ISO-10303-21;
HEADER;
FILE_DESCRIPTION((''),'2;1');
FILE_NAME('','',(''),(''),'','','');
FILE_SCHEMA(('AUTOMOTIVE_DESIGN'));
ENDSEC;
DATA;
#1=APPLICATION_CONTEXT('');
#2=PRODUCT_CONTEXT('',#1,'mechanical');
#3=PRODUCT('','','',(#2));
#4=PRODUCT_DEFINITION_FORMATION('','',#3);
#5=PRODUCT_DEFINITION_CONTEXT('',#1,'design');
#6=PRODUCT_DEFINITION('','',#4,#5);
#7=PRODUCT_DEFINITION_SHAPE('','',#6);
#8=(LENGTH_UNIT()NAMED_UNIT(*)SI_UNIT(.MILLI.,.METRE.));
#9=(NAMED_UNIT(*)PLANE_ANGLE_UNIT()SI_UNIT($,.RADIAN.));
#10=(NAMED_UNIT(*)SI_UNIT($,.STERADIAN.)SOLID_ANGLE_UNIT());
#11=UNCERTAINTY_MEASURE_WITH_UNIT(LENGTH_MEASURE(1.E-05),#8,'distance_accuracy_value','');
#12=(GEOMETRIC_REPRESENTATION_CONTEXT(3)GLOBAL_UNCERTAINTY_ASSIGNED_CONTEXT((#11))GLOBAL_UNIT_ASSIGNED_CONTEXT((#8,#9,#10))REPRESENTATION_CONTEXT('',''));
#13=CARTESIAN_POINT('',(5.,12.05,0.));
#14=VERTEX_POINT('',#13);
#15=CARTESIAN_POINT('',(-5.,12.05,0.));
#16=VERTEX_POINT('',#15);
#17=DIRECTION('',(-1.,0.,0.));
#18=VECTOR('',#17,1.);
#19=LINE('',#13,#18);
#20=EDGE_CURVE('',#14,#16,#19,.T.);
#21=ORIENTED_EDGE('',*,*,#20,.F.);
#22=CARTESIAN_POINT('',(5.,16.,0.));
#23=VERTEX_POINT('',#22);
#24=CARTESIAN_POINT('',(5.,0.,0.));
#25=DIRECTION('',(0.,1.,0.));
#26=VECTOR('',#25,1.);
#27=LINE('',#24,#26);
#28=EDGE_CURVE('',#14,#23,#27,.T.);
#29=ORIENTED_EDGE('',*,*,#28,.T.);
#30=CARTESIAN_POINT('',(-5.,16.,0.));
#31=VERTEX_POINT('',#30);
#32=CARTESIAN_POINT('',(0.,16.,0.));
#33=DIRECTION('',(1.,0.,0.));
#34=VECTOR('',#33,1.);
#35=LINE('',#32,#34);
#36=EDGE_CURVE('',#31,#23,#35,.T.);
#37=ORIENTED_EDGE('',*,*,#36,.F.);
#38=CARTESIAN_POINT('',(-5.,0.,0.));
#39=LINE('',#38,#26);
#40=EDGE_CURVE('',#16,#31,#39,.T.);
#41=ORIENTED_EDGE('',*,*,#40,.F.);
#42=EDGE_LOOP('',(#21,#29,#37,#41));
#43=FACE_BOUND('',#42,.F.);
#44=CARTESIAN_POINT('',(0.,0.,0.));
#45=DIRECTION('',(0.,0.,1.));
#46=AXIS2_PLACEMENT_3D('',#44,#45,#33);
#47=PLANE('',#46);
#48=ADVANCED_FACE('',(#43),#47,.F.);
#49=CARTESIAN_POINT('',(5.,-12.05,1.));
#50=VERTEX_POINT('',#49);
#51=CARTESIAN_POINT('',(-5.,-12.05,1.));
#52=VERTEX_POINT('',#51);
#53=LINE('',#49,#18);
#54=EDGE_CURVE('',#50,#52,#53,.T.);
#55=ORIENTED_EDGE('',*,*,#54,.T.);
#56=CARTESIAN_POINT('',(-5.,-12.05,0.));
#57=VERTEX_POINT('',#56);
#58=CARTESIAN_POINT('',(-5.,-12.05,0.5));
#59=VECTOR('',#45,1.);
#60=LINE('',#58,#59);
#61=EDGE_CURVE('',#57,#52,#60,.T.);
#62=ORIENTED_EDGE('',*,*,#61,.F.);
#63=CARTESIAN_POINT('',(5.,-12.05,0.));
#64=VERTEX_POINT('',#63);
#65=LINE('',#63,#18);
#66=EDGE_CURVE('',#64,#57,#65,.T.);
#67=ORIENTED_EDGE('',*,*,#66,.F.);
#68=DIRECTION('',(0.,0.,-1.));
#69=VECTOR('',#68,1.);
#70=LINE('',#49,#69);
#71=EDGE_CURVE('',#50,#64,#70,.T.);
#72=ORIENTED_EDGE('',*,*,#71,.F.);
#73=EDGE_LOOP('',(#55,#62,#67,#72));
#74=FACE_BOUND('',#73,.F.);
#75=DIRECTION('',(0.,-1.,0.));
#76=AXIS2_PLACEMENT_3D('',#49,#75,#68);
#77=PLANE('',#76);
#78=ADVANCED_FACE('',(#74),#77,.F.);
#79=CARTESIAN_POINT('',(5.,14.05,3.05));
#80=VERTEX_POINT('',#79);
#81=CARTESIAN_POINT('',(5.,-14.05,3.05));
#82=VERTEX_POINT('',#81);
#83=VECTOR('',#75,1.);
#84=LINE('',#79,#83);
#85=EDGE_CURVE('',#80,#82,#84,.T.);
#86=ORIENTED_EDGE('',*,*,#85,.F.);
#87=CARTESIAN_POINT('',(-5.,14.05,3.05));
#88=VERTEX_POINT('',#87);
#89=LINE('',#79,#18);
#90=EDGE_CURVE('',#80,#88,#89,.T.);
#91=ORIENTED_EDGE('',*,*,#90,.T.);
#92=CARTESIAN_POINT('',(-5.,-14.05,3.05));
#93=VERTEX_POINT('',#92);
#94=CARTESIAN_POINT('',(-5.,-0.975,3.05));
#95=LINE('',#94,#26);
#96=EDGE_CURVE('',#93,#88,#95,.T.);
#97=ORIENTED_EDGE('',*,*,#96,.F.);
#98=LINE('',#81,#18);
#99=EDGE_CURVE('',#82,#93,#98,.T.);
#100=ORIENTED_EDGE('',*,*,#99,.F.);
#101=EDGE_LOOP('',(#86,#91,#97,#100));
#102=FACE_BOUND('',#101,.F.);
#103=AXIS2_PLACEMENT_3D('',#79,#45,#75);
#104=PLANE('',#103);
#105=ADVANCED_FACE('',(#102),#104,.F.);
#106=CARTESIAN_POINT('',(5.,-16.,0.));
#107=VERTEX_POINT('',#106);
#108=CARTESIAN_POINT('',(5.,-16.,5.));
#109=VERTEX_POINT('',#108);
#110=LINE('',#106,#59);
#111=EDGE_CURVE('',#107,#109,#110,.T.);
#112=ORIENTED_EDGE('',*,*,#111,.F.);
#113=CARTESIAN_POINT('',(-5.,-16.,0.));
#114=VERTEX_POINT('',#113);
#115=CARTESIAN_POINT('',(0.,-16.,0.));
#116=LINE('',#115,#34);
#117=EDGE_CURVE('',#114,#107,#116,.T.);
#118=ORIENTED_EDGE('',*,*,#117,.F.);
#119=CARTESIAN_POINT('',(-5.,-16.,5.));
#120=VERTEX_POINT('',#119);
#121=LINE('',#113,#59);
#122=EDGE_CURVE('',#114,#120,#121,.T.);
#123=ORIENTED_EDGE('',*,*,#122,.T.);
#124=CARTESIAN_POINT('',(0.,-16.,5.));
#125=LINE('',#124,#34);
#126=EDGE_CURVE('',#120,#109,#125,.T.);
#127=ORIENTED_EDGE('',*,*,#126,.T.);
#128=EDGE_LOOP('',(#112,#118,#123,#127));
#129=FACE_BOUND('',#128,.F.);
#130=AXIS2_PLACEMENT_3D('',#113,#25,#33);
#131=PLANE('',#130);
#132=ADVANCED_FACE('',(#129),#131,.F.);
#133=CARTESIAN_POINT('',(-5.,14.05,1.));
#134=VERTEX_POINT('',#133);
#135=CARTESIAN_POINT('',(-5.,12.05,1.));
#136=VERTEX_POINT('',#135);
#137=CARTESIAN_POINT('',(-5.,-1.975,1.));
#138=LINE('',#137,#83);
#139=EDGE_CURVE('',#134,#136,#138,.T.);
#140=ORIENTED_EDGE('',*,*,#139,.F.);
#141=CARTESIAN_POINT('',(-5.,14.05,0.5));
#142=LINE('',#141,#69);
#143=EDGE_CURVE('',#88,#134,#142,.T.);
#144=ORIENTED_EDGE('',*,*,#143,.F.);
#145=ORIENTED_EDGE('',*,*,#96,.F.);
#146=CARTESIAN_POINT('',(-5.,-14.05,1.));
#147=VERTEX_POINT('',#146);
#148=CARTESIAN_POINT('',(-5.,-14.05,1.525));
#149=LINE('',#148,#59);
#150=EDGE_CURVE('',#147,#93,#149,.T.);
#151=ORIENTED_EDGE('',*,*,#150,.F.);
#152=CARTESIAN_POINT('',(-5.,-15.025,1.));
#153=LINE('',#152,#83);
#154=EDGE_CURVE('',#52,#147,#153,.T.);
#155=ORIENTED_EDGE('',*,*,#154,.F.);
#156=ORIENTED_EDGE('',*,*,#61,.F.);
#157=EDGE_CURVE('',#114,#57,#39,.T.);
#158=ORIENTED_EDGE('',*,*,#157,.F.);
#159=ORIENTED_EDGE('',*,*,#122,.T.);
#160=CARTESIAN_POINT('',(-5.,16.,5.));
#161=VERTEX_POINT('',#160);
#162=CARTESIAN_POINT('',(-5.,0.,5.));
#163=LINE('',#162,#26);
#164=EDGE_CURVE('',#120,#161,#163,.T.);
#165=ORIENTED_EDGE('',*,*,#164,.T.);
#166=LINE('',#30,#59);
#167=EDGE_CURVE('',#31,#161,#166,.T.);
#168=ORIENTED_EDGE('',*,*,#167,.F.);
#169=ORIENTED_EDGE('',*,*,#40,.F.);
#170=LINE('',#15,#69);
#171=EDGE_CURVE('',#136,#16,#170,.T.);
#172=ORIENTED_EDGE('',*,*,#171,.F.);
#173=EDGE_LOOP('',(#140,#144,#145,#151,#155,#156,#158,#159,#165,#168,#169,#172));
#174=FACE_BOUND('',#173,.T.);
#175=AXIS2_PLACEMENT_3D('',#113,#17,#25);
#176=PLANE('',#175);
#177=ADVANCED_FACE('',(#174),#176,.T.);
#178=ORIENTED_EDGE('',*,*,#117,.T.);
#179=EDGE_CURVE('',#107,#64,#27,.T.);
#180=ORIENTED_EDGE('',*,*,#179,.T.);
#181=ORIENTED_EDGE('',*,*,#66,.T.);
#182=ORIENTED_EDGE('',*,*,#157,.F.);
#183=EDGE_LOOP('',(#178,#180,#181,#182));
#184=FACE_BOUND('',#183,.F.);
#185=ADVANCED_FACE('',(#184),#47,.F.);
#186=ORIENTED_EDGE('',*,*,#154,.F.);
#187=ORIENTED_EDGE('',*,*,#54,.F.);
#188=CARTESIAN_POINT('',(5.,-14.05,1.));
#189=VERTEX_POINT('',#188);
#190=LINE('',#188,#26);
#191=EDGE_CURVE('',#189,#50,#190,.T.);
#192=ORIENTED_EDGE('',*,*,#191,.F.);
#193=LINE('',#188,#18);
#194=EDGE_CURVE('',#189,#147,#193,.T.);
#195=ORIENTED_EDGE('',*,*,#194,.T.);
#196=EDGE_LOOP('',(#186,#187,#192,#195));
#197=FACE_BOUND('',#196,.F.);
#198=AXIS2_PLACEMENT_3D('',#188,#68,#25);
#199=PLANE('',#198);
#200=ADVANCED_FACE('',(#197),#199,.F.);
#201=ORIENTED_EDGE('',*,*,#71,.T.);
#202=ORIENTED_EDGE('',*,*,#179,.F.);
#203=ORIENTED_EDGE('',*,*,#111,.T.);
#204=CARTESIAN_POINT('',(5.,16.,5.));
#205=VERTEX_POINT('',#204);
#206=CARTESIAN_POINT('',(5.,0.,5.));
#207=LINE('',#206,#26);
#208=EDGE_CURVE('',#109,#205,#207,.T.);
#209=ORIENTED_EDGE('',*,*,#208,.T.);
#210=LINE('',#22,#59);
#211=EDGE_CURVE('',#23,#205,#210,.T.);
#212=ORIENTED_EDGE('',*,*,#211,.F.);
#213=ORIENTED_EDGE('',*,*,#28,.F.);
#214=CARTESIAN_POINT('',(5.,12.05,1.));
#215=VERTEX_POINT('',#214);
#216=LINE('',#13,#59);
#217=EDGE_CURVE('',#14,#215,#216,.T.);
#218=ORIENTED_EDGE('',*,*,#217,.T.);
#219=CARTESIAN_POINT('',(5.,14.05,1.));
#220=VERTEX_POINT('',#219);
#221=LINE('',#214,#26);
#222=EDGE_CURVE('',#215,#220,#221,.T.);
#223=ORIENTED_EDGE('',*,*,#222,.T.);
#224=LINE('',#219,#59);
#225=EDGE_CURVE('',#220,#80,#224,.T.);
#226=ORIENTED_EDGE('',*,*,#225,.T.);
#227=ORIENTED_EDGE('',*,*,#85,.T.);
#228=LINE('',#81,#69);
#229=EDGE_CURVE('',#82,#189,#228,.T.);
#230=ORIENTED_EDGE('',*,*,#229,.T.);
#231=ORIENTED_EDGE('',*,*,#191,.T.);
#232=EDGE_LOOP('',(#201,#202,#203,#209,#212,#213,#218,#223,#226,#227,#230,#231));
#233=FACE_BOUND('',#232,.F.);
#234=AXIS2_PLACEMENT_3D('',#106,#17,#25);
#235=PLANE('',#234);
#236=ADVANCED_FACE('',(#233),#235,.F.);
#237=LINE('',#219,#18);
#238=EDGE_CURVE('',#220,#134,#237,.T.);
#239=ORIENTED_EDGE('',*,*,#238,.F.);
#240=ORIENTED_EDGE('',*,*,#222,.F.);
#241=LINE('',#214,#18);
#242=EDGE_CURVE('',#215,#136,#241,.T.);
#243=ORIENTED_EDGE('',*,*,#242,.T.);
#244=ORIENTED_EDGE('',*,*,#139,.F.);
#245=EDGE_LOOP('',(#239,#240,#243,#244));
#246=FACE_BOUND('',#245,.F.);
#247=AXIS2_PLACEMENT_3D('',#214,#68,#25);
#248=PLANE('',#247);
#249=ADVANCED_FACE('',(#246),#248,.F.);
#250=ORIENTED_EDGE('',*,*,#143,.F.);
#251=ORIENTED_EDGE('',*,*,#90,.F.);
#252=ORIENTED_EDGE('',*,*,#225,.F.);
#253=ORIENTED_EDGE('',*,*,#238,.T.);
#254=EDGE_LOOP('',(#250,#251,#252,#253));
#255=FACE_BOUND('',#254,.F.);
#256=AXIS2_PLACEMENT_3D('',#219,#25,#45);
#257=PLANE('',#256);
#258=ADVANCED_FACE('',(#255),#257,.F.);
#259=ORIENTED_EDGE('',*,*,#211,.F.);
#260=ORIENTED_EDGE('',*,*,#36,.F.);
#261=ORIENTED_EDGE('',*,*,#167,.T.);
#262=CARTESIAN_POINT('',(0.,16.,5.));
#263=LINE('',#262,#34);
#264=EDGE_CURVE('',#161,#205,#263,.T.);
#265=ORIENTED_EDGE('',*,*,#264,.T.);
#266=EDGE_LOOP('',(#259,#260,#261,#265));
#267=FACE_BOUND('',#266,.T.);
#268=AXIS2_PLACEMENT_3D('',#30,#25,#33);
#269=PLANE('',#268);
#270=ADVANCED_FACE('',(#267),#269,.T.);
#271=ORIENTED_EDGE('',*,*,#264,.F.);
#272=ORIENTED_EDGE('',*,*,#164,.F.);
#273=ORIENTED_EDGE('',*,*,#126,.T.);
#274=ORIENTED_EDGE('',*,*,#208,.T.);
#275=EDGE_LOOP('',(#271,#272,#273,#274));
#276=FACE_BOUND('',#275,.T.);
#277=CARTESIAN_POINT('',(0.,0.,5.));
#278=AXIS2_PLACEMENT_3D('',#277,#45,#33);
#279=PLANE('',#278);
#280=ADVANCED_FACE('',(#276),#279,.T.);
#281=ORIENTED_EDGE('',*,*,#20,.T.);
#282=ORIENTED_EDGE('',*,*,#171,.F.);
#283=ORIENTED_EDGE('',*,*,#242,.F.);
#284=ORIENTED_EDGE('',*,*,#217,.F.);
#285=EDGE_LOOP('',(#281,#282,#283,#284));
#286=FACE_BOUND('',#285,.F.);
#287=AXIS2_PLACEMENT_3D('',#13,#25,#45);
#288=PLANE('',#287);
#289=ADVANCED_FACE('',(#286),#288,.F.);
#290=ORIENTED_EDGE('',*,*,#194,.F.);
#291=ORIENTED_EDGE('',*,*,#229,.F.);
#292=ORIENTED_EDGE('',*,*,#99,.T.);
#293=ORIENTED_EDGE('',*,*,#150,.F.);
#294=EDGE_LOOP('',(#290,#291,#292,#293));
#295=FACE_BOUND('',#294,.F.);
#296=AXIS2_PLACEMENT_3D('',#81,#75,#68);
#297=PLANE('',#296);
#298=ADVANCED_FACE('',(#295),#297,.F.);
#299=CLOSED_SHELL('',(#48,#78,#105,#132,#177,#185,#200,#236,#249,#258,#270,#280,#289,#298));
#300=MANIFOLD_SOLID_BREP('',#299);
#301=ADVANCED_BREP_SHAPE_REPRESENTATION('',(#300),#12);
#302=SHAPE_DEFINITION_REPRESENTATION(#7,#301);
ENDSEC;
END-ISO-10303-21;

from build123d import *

# Parameters (mm, degrees)
F0_W     = 10
F0_H     = 32
F1_DEPTH = 5
F3_DEPTH = 10.001


with BuildPart() as f1:
    # F0 (on Top) → F1 (new body)
    with BuildSketch(Plane.XY):
        Rectangle(F0_W, F0_H)
    extrude(amount=F1_DEPTH)

    # F2 (on face) → F3 (cut, through all)
    with BuildSketch(Plane.YZ.offset(5)):
        Polygon((-12.05, 1), (-12.05, 0), (12.05, 0), (12.05, 1), (14.05, 1), (14.05, 3.05), (-14.05, 3.05), (-14.05, 1), align=None)
    extrude(amount=-F3_DEPTH, mode=Mode.SUBTRACT)


solid = f1.part
